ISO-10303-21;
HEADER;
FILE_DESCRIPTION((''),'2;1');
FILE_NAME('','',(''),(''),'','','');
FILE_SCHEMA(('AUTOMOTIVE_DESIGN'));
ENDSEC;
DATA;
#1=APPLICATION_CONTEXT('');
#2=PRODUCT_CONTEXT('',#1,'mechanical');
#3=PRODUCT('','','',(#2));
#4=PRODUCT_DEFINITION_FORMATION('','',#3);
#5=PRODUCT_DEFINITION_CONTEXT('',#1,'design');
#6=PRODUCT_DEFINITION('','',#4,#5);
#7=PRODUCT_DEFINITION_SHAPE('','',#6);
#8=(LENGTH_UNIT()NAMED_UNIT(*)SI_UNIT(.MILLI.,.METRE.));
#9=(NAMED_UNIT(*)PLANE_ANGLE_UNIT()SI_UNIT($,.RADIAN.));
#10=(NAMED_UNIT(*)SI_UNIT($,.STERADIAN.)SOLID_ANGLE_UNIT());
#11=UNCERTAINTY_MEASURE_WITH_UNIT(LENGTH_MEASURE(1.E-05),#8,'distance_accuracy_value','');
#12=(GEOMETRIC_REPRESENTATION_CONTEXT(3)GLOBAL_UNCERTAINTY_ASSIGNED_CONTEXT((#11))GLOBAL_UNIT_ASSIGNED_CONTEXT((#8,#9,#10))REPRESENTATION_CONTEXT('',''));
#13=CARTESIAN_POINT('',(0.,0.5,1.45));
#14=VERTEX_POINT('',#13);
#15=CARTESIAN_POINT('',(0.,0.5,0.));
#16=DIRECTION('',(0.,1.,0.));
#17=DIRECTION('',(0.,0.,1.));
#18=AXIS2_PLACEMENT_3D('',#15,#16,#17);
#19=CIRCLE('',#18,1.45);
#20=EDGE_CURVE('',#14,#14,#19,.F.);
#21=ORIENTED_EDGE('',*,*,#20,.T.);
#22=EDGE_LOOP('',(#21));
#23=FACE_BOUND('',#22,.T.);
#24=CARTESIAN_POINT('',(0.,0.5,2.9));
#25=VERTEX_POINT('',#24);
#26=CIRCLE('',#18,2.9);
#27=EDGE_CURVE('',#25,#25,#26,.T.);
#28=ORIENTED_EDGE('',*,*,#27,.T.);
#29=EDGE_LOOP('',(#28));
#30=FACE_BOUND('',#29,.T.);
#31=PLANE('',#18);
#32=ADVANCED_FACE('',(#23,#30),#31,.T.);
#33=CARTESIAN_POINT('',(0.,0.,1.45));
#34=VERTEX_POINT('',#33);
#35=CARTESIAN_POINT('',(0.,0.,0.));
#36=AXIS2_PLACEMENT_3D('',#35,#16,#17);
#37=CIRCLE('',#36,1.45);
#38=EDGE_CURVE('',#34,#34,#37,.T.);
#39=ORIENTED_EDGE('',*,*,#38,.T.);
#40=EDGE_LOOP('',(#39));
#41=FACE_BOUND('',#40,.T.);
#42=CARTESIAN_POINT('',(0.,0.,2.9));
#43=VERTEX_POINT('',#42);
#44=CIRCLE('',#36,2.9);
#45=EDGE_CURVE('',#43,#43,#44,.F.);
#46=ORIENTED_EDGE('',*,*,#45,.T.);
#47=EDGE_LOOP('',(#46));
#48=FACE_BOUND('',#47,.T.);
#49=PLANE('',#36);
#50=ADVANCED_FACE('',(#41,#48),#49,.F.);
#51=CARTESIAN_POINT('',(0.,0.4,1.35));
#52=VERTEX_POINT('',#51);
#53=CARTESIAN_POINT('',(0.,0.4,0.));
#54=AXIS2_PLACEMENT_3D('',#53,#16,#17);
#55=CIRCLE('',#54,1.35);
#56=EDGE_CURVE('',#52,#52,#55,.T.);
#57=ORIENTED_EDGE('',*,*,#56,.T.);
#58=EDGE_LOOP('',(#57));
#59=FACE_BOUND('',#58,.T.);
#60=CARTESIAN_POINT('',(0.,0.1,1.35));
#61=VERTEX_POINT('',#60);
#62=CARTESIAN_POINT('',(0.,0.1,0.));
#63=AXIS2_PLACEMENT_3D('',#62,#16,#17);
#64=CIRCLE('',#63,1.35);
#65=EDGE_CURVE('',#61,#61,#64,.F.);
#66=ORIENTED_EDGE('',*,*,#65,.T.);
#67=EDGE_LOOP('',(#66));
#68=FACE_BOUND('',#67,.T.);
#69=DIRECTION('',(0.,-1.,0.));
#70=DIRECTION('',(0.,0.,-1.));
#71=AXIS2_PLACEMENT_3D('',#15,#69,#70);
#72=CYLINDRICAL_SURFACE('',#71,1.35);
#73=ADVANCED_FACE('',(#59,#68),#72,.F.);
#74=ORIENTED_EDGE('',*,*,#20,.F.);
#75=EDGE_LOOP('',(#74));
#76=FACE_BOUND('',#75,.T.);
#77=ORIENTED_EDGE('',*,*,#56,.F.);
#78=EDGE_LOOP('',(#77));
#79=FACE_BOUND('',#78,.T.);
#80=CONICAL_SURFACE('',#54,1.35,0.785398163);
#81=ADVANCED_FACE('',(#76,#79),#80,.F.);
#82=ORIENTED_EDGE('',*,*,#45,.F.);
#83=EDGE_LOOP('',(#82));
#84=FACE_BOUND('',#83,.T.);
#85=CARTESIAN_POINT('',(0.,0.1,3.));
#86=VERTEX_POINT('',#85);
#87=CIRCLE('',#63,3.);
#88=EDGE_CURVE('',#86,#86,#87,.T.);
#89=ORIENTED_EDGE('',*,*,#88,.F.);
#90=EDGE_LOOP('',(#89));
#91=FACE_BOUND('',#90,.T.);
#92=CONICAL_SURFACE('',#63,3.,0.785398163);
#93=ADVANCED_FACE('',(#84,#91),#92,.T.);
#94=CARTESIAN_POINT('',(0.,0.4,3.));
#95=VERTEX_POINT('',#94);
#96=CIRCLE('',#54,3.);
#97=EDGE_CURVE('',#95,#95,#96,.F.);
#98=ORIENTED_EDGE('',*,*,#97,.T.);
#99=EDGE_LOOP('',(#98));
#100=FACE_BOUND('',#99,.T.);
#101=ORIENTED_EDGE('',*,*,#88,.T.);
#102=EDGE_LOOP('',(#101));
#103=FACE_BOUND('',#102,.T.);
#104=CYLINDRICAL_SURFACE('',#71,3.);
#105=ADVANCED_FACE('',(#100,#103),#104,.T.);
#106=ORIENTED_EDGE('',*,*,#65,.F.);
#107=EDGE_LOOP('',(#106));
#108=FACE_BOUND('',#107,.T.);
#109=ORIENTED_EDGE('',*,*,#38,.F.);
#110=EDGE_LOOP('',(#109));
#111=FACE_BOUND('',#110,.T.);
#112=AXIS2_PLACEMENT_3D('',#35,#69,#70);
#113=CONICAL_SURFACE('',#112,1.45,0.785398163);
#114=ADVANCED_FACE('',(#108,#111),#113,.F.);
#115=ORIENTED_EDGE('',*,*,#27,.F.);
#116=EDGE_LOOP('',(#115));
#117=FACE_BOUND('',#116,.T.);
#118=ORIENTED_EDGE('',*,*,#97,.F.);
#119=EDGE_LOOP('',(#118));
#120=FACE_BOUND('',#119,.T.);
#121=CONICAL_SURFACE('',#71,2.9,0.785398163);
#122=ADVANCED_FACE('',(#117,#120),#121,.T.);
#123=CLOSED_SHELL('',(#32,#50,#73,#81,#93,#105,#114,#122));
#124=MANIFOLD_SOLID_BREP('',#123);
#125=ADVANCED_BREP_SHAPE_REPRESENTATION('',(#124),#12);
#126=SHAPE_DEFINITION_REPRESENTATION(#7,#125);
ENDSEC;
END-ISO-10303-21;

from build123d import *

# Parameters (mm, degrees)
SKETCH1_R           = 3
SKETCH1_R_2         = 1.35
BOSS_EXTRUDE1_DEPTH = 0.5
CHAMFER1_SIZE       = 0.1


with BuildPart() as part:
    # Sketch1 → Boss-Extrude1 (new body)
    with BuildSketch(Plane(origin=(0, 0, 0), x_dir=(1, 0, 0), z_dir=(0, 1, 0))):
        with Locations(Location((0, 0, 0), (0, 0, 270))):
            Circle(SKETCH1_R)
        with Locations(Location((0, 0, 0), (0, 0, 270))):
            Circle(SKETCH1_R_2, mode=Mode.SUBTRACT)
    extrude(amount=BOSS_EXTRUDE1_DEPTH)

    # Chamfer1
    chamfer1_edges = [part.edges().sort_by_distance(p)[0] for p in [
        (0, 0, -3),
        (0, 0.5, -3),
        (0, 0, -1.35),
        (0, 0.5, -1.35),
    ]]
    chamfer(chamfer1_edges, length=CHAMFER1_SIZE)


solid = part.part
